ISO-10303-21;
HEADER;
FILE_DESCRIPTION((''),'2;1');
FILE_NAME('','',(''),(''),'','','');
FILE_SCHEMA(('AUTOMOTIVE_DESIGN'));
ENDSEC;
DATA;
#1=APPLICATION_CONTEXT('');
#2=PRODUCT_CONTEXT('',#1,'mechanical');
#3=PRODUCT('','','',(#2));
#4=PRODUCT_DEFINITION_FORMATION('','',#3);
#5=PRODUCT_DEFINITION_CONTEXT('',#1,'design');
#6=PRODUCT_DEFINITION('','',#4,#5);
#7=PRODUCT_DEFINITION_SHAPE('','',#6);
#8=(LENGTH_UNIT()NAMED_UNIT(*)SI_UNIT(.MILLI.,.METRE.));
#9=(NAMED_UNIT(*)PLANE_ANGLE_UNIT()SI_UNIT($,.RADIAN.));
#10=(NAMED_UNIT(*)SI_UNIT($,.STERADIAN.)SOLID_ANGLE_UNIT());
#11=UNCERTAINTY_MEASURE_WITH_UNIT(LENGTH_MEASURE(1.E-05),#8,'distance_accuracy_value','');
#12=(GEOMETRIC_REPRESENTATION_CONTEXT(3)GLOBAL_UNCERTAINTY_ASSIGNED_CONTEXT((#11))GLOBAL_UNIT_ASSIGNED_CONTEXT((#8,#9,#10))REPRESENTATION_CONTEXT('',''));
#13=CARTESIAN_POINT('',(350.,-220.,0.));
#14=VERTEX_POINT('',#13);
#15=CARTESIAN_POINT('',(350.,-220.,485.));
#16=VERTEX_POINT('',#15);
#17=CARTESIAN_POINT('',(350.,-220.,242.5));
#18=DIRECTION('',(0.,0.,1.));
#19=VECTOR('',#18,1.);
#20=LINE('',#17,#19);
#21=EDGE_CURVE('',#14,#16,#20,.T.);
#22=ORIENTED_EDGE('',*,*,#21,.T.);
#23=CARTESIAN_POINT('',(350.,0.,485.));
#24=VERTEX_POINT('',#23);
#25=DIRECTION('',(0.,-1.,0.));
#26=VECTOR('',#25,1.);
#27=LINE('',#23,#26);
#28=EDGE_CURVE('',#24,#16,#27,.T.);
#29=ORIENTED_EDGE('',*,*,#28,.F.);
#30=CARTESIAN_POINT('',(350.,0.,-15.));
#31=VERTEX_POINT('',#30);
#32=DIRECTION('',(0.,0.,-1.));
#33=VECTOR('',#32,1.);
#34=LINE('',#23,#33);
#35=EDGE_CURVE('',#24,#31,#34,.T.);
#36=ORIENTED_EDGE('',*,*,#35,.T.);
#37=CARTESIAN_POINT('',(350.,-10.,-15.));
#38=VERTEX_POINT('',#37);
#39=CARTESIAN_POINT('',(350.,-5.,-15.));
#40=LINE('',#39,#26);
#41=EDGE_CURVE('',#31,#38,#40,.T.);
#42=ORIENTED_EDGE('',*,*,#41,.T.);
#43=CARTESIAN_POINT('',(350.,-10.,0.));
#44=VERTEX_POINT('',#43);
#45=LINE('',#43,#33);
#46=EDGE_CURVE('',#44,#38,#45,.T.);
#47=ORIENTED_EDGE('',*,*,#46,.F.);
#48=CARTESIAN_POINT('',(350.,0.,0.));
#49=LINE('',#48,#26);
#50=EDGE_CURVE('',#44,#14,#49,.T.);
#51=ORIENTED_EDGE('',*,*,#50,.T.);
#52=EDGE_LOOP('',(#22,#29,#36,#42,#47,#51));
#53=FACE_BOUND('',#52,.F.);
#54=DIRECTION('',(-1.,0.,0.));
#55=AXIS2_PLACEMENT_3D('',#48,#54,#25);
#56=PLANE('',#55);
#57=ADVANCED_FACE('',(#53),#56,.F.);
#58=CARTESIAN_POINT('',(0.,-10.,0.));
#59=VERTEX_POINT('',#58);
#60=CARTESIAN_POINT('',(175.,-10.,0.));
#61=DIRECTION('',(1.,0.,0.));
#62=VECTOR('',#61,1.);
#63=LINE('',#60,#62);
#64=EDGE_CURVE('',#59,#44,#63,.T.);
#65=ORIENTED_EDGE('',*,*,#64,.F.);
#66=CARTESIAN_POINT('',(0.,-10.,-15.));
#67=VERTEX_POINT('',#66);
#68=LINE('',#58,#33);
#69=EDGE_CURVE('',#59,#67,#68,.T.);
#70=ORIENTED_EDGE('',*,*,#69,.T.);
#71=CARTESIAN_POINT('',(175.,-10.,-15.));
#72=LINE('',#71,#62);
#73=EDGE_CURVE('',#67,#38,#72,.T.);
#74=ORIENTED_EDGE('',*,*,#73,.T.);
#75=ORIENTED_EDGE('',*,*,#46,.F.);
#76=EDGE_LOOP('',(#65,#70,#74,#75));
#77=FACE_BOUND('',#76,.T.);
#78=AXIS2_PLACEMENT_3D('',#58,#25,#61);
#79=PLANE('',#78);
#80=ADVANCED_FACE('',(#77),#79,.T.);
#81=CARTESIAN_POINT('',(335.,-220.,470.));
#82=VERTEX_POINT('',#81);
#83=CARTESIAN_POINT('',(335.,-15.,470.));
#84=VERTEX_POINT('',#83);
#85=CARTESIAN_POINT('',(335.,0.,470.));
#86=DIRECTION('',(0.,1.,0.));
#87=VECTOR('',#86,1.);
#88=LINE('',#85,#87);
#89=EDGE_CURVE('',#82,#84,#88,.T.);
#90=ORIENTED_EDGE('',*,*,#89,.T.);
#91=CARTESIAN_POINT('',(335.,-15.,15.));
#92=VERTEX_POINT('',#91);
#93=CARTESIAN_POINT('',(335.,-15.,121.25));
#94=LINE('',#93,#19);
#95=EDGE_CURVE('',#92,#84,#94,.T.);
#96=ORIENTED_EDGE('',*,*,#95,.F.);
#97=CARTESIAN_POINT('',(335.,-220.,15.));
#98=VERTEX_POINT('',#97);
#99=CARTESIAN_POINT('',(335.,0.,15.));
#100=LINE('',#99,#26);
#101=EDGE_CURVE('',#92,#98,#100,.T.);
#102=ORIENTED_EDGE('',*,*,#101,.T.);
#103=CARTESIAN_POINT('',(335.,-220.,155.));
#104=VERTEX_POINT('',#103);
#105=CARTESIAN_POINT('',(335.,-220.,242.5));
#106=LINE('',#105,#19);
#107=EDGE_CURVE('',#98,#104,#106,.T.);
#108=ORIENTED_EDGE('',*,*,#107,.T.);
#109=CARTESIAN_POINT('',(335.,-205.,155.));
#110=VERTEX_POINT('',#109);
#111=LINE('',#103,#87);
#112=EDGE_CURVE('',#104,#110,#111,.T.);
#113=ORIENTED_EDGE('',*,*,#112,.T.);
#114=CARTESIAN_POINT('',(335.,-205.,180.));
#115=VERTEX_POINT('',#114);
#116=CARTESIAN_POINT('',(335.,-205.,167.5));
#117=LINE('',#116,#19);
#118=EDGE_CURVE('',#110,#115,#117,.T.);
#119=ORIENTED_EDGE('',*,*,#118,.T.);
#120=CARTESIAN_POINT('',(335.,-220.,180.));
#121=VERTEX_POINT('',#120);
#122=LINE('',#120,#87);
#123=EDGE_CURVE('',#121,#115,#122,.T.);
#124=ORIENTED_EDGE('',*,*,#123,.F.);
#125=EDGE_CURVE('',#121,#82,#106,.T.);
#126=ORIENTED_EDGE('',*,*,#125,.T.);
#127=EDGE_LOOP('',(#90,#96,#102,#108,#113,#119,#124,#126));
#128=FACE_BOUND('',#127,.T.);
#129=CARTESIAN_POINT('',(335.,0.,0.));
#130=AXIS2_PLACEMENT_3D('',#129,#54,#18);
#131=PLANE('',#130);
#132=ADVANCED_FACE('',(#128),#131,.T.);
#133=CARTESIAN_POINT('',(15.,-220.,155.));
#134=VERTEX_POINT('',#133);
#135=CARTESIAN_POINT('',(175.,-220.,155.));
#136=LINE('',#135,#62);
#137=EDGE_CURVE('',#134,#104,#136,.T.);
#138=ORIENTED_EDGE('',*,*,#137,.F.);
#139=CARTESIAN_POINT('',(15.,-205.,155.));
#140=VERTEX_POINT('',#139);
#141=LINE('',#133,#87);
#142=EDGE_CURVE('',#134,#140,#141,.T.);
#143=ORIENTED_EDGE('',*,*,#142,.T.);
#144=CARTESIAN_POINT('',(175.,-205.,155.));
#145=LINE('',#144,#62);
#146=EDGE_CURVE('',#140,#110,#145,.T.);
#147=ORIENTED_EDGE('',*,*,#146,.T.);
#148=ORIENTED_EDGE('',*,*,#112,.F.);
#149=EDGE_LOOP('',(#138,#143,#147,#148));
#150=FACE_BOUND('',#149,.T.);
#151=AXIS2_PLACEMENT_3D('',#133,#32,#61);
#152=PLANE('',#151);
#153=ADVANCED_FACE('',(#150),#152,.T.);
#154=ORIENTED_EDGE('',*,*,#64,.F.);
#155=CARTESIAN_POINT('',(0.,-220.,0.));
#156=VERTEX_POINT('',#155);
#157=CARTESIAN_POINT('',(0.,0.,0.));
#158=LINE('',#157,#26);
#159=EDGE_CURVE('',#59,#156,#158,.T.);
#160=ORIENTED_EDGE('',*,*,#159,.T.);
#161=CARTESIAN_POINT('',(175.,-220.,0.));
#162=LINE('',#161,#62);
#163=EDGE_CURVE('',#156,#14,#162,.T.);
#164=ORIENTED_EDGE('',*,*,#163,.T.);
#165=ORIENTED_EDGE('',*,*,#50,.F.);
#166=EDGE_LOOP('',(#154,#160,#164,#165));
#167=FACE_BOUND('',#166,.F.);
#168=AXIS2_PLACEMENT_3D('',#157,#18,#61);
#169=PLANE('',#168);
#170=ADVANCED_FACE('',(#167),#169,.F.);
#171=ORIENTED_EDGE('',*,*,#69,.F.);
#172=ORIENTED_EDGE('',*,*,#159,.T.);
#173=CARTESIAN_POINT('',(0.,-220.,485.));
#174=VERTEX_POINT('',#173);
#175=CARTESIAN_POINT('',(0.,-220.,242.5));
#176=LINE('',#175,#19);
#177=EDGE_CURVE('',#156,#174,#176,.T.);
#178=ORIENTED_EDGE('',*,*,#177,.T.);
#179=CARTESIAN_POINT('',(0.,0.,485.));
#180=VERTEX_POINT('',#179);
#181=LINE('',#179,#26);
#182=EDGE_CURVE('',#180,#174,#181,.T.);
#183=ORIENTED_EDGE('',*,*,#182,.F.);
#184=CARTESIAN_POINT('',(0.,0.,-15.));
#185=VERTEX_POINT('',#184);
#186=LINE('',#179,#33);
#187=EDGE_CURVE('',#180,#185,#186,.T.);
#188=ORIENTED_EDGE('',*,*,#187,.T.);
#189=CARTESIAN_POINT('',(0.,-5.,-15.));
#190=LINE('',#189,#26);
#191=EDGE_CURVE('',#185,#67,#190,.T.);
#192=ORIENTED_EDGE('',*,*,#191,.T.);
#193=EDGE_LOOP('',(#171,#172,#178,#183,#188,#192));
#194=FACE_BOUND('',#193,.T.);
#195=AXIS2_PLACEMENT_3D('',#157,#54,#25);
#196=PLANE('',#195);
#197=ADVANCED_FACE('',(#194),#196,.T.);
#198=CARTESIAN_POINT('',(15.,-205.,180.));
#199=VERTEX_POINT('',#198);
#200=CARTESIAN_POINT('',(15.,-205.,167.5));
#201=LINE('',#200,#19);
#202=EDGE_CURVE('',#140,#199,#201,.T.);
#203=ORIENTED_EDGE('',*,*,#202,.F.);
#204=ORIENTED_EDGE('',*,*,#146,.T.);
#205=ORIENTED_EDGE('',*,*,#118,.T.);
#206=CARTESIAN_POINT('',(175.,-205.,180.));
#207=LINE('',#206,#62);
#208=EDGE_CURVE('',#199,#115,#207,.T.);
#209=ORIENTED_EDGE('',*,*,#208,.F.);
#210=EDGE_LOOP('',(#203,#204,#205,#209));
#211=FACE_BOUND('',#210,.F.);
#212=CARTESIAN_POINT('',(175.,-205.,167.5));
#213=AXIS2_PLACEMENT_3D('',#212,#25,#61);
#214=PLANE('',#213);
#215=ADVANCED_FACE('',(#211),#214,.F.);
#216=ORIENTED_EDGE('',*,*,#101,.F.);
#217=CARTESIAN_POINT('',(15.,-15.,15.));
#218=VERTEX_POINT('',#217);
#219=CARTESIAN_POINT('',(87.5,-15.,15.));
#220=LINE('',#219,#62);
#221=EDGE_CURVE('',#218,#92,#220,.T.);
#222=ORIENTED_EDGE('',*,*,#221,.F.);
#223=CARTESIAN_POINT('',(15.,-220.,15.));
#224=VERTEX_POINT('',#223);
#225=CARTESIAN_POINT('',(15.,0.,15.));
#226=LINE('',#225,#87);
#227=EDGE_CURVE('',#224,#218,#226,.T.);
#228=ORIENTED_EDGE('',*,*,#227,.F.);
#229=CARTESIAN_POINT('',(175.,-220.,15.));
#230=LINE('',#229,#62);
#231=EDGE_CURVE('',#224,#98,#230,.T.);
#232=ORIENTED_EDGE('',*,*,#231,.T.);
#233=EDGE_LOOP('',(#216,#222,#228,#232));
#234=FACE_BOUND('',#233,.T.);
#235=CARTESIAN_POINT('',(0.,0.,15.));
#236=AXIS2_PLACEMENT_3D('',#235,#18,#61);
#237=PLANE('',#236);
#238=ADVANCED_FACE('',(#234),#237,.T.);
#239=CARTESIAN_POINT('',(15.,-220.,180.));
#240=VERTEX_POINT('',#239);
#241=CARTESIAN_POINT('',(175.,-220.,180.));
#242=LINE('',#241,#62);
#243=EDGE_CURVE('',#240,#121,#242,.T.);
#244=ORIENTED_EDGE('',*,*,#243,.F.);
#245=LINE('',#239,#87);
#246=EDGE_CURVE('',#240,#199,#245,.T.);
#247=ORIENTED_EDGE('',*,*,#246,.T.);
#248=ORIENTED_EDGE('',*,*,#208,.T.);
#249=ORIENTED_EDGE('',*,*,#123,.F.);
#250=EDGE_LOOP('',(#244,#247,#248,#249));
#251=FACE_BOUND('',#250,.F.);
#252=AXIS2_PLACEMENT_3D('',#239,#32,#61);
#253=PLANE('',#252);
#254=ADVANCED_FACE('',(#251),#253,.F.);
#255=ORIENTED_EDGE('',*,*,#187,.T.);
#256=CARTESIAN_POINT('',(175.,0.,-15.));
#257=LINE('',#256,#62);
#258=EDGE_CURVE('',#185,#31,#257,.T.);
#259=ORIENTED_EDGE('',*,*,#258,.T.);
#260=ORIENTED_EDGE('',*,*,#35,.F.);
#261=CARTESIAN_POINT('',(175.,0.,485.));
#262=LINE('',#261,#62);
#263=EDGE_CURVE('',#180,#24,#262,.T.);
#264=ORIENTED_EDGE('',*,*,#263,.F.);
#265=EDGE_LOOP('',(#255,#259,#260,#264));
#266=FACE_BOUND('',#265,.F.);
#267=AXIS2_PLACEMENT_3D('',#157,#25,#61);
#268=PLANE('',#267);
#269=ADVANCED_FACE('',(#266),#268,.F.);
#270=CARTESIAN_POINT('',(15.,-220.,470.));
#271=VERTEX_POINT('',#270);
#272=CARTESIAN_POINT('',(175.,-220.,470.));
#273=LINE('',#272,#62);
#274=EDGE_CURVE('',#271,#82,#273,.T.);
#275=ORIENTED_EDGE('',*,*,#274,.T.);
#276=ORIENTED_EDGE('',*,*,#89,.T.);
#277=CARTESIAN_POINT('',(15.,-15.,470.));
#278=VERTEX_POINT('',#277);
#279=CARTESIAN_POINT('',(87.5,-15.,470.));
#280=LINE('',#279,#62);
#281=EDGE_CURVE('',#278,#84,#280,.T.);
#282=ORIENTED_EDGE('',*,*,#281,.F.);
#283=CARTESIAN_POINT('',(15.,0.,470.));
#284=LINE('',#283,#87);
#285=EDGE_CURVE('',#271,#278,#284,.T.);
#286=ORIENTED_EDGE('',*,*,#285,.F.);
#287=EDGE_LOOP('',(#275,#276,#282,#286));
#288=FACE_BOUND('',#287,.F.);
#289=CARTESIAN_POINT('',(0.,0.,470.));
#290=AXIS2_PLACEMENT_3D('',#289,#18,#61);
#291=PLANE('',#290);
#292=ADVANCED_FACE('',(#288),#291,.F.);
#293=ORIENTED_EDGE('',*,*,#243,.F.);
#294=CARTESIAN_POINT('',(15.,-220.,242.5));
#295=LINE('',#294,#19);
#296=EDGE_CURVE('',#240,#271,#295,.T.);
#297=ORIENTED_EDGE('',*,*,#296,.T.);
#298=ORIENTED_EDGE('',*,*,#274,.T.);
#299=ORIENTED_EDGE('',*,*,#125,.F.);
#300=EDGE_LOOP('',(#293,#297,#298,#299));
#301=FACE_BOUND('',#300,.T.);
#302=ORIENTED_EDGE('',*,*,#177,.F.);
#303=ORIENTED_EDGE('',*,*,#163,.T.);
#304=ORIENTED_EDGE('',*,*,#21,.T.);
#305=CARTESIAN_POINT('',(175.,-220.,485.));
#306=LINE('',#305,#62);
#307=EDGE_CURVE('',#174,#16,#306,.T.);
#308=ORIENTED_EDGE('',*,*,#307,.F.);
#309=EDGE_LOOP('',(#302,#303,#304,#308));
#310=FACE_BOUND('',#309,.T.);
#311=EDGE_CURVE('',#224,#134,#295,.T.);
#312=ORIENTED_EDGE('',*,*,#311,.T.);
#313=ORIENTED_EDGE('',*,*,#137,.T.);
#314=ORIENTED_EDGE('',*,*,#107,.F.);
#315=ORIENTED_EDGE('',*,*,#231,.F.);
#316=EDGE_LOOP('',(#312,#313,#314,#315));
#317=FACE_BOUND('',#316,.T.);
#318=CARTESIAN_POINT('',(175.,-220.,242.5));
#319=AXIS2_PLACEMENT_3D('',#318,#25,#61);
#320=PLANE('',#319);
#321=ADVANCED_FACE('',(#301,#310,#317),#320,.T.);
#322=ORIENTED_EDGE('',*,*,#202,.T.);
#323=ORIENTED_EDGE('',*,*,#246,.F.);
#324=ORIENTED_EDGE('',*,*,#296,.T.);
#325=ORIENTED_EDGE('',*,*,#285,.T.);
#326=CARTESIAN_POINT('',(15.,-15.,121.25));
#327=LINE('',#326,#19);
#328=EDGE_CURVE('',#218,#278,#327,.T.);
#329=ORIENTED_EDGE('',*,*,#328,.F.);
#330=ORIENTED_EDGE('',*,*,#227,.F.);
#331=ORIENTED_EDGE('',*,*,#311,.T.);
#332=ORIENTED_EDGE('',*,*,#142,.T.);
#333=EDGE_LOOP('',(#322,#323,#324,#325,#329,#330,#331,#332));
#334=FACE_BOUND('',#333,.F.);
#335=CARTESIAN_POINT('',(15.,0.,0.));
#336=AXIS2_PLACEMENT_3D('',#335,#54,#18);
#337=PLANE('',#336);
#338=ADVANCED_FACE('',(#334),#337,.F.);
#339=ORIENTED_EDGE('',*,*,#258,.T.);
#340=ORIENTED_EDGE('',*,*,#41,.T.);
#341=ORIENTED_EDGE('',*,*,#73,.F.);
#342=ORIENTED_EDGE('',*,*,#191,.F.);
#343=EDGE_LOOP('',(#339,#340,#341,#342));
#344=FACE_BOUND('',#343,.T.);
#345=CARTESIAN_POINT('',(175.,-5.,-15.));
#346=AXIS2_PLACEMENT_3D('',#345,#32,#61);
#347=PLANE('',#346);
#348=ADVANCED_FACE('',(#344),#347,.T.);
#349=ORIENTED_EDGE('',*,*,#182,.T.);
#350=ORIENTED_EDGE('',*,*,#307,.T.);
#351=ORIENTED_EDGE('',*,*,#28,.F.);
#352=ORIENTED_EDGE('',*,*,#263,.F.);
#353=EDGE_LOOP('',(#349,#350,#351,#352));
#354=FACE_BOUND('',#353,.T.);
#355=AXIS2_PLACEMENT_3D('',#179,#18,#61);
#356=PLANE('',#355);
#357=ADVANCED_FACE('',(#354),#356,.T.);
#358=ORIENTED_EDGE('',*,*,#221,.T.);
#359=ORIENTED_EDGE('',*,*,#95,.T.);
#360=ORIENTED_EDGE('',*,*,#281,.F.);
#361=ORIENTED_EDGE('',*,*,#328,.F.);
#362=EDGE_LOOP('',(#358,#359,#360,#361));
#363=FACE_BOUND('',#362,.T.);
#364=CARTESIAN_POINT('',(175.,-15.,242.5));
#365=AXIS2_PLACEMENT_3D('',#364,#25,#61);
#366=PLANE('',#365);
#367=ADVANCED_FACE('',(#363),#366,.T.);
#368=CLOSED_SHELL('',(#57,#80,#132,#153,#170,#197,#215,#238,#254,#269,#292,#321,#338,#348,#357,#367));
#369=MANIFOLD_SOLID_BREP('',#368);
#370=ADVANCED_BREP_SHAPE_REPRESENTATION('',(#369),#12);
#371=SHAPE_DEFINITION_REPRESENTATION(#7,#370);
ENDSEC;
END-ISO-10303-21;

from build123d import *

# Parameters (mm, degrees)
F0_W     = 350
F0_H     = 485
F1_DEPTH = 220
F2_T     = -15
F3_W     = 320
F3_H     = 25
F4_DEPTH = 15
F5_W     = 350
F5_H     = 10
F6_DEPTH = 15


with BuildPart() as f1:
    # F0 (on Front) → F1 (new body)
    with BuildSketch(Plane.XZ):
        with Locations((175, 242.5)):
            Rectangle(F0_W, F0_H)
    extrude(amount=F1_DEPTH)

    # F2
    f2_openings = [f1.faces().sort_by_distance(p)[0] for p in [
        (175, -220, 242.5),
    ]]
    offset(amount=F2_T, openings=f2_openings)

    # F3 (on face) → F4 (join)
    with BuildSketch(Plane.XZ.offset(220)):
        with Locations((175, 167.5)):
            Rectangle(F3_W, F3_H)
    extrude(amount=-F4_DEPTH)

    # F5 (on face) → F6 (join)
    with BuildSketch(Plane(origin=(0, 0, 0), x_dir=(1, 0, 0), z_dir=(0, 0, -1))):
        with Locations((175, 5)):
            Rectangle(F5_W, F5_H)
    extrude(amount=F6_DEPTH)


solid = f1.part
